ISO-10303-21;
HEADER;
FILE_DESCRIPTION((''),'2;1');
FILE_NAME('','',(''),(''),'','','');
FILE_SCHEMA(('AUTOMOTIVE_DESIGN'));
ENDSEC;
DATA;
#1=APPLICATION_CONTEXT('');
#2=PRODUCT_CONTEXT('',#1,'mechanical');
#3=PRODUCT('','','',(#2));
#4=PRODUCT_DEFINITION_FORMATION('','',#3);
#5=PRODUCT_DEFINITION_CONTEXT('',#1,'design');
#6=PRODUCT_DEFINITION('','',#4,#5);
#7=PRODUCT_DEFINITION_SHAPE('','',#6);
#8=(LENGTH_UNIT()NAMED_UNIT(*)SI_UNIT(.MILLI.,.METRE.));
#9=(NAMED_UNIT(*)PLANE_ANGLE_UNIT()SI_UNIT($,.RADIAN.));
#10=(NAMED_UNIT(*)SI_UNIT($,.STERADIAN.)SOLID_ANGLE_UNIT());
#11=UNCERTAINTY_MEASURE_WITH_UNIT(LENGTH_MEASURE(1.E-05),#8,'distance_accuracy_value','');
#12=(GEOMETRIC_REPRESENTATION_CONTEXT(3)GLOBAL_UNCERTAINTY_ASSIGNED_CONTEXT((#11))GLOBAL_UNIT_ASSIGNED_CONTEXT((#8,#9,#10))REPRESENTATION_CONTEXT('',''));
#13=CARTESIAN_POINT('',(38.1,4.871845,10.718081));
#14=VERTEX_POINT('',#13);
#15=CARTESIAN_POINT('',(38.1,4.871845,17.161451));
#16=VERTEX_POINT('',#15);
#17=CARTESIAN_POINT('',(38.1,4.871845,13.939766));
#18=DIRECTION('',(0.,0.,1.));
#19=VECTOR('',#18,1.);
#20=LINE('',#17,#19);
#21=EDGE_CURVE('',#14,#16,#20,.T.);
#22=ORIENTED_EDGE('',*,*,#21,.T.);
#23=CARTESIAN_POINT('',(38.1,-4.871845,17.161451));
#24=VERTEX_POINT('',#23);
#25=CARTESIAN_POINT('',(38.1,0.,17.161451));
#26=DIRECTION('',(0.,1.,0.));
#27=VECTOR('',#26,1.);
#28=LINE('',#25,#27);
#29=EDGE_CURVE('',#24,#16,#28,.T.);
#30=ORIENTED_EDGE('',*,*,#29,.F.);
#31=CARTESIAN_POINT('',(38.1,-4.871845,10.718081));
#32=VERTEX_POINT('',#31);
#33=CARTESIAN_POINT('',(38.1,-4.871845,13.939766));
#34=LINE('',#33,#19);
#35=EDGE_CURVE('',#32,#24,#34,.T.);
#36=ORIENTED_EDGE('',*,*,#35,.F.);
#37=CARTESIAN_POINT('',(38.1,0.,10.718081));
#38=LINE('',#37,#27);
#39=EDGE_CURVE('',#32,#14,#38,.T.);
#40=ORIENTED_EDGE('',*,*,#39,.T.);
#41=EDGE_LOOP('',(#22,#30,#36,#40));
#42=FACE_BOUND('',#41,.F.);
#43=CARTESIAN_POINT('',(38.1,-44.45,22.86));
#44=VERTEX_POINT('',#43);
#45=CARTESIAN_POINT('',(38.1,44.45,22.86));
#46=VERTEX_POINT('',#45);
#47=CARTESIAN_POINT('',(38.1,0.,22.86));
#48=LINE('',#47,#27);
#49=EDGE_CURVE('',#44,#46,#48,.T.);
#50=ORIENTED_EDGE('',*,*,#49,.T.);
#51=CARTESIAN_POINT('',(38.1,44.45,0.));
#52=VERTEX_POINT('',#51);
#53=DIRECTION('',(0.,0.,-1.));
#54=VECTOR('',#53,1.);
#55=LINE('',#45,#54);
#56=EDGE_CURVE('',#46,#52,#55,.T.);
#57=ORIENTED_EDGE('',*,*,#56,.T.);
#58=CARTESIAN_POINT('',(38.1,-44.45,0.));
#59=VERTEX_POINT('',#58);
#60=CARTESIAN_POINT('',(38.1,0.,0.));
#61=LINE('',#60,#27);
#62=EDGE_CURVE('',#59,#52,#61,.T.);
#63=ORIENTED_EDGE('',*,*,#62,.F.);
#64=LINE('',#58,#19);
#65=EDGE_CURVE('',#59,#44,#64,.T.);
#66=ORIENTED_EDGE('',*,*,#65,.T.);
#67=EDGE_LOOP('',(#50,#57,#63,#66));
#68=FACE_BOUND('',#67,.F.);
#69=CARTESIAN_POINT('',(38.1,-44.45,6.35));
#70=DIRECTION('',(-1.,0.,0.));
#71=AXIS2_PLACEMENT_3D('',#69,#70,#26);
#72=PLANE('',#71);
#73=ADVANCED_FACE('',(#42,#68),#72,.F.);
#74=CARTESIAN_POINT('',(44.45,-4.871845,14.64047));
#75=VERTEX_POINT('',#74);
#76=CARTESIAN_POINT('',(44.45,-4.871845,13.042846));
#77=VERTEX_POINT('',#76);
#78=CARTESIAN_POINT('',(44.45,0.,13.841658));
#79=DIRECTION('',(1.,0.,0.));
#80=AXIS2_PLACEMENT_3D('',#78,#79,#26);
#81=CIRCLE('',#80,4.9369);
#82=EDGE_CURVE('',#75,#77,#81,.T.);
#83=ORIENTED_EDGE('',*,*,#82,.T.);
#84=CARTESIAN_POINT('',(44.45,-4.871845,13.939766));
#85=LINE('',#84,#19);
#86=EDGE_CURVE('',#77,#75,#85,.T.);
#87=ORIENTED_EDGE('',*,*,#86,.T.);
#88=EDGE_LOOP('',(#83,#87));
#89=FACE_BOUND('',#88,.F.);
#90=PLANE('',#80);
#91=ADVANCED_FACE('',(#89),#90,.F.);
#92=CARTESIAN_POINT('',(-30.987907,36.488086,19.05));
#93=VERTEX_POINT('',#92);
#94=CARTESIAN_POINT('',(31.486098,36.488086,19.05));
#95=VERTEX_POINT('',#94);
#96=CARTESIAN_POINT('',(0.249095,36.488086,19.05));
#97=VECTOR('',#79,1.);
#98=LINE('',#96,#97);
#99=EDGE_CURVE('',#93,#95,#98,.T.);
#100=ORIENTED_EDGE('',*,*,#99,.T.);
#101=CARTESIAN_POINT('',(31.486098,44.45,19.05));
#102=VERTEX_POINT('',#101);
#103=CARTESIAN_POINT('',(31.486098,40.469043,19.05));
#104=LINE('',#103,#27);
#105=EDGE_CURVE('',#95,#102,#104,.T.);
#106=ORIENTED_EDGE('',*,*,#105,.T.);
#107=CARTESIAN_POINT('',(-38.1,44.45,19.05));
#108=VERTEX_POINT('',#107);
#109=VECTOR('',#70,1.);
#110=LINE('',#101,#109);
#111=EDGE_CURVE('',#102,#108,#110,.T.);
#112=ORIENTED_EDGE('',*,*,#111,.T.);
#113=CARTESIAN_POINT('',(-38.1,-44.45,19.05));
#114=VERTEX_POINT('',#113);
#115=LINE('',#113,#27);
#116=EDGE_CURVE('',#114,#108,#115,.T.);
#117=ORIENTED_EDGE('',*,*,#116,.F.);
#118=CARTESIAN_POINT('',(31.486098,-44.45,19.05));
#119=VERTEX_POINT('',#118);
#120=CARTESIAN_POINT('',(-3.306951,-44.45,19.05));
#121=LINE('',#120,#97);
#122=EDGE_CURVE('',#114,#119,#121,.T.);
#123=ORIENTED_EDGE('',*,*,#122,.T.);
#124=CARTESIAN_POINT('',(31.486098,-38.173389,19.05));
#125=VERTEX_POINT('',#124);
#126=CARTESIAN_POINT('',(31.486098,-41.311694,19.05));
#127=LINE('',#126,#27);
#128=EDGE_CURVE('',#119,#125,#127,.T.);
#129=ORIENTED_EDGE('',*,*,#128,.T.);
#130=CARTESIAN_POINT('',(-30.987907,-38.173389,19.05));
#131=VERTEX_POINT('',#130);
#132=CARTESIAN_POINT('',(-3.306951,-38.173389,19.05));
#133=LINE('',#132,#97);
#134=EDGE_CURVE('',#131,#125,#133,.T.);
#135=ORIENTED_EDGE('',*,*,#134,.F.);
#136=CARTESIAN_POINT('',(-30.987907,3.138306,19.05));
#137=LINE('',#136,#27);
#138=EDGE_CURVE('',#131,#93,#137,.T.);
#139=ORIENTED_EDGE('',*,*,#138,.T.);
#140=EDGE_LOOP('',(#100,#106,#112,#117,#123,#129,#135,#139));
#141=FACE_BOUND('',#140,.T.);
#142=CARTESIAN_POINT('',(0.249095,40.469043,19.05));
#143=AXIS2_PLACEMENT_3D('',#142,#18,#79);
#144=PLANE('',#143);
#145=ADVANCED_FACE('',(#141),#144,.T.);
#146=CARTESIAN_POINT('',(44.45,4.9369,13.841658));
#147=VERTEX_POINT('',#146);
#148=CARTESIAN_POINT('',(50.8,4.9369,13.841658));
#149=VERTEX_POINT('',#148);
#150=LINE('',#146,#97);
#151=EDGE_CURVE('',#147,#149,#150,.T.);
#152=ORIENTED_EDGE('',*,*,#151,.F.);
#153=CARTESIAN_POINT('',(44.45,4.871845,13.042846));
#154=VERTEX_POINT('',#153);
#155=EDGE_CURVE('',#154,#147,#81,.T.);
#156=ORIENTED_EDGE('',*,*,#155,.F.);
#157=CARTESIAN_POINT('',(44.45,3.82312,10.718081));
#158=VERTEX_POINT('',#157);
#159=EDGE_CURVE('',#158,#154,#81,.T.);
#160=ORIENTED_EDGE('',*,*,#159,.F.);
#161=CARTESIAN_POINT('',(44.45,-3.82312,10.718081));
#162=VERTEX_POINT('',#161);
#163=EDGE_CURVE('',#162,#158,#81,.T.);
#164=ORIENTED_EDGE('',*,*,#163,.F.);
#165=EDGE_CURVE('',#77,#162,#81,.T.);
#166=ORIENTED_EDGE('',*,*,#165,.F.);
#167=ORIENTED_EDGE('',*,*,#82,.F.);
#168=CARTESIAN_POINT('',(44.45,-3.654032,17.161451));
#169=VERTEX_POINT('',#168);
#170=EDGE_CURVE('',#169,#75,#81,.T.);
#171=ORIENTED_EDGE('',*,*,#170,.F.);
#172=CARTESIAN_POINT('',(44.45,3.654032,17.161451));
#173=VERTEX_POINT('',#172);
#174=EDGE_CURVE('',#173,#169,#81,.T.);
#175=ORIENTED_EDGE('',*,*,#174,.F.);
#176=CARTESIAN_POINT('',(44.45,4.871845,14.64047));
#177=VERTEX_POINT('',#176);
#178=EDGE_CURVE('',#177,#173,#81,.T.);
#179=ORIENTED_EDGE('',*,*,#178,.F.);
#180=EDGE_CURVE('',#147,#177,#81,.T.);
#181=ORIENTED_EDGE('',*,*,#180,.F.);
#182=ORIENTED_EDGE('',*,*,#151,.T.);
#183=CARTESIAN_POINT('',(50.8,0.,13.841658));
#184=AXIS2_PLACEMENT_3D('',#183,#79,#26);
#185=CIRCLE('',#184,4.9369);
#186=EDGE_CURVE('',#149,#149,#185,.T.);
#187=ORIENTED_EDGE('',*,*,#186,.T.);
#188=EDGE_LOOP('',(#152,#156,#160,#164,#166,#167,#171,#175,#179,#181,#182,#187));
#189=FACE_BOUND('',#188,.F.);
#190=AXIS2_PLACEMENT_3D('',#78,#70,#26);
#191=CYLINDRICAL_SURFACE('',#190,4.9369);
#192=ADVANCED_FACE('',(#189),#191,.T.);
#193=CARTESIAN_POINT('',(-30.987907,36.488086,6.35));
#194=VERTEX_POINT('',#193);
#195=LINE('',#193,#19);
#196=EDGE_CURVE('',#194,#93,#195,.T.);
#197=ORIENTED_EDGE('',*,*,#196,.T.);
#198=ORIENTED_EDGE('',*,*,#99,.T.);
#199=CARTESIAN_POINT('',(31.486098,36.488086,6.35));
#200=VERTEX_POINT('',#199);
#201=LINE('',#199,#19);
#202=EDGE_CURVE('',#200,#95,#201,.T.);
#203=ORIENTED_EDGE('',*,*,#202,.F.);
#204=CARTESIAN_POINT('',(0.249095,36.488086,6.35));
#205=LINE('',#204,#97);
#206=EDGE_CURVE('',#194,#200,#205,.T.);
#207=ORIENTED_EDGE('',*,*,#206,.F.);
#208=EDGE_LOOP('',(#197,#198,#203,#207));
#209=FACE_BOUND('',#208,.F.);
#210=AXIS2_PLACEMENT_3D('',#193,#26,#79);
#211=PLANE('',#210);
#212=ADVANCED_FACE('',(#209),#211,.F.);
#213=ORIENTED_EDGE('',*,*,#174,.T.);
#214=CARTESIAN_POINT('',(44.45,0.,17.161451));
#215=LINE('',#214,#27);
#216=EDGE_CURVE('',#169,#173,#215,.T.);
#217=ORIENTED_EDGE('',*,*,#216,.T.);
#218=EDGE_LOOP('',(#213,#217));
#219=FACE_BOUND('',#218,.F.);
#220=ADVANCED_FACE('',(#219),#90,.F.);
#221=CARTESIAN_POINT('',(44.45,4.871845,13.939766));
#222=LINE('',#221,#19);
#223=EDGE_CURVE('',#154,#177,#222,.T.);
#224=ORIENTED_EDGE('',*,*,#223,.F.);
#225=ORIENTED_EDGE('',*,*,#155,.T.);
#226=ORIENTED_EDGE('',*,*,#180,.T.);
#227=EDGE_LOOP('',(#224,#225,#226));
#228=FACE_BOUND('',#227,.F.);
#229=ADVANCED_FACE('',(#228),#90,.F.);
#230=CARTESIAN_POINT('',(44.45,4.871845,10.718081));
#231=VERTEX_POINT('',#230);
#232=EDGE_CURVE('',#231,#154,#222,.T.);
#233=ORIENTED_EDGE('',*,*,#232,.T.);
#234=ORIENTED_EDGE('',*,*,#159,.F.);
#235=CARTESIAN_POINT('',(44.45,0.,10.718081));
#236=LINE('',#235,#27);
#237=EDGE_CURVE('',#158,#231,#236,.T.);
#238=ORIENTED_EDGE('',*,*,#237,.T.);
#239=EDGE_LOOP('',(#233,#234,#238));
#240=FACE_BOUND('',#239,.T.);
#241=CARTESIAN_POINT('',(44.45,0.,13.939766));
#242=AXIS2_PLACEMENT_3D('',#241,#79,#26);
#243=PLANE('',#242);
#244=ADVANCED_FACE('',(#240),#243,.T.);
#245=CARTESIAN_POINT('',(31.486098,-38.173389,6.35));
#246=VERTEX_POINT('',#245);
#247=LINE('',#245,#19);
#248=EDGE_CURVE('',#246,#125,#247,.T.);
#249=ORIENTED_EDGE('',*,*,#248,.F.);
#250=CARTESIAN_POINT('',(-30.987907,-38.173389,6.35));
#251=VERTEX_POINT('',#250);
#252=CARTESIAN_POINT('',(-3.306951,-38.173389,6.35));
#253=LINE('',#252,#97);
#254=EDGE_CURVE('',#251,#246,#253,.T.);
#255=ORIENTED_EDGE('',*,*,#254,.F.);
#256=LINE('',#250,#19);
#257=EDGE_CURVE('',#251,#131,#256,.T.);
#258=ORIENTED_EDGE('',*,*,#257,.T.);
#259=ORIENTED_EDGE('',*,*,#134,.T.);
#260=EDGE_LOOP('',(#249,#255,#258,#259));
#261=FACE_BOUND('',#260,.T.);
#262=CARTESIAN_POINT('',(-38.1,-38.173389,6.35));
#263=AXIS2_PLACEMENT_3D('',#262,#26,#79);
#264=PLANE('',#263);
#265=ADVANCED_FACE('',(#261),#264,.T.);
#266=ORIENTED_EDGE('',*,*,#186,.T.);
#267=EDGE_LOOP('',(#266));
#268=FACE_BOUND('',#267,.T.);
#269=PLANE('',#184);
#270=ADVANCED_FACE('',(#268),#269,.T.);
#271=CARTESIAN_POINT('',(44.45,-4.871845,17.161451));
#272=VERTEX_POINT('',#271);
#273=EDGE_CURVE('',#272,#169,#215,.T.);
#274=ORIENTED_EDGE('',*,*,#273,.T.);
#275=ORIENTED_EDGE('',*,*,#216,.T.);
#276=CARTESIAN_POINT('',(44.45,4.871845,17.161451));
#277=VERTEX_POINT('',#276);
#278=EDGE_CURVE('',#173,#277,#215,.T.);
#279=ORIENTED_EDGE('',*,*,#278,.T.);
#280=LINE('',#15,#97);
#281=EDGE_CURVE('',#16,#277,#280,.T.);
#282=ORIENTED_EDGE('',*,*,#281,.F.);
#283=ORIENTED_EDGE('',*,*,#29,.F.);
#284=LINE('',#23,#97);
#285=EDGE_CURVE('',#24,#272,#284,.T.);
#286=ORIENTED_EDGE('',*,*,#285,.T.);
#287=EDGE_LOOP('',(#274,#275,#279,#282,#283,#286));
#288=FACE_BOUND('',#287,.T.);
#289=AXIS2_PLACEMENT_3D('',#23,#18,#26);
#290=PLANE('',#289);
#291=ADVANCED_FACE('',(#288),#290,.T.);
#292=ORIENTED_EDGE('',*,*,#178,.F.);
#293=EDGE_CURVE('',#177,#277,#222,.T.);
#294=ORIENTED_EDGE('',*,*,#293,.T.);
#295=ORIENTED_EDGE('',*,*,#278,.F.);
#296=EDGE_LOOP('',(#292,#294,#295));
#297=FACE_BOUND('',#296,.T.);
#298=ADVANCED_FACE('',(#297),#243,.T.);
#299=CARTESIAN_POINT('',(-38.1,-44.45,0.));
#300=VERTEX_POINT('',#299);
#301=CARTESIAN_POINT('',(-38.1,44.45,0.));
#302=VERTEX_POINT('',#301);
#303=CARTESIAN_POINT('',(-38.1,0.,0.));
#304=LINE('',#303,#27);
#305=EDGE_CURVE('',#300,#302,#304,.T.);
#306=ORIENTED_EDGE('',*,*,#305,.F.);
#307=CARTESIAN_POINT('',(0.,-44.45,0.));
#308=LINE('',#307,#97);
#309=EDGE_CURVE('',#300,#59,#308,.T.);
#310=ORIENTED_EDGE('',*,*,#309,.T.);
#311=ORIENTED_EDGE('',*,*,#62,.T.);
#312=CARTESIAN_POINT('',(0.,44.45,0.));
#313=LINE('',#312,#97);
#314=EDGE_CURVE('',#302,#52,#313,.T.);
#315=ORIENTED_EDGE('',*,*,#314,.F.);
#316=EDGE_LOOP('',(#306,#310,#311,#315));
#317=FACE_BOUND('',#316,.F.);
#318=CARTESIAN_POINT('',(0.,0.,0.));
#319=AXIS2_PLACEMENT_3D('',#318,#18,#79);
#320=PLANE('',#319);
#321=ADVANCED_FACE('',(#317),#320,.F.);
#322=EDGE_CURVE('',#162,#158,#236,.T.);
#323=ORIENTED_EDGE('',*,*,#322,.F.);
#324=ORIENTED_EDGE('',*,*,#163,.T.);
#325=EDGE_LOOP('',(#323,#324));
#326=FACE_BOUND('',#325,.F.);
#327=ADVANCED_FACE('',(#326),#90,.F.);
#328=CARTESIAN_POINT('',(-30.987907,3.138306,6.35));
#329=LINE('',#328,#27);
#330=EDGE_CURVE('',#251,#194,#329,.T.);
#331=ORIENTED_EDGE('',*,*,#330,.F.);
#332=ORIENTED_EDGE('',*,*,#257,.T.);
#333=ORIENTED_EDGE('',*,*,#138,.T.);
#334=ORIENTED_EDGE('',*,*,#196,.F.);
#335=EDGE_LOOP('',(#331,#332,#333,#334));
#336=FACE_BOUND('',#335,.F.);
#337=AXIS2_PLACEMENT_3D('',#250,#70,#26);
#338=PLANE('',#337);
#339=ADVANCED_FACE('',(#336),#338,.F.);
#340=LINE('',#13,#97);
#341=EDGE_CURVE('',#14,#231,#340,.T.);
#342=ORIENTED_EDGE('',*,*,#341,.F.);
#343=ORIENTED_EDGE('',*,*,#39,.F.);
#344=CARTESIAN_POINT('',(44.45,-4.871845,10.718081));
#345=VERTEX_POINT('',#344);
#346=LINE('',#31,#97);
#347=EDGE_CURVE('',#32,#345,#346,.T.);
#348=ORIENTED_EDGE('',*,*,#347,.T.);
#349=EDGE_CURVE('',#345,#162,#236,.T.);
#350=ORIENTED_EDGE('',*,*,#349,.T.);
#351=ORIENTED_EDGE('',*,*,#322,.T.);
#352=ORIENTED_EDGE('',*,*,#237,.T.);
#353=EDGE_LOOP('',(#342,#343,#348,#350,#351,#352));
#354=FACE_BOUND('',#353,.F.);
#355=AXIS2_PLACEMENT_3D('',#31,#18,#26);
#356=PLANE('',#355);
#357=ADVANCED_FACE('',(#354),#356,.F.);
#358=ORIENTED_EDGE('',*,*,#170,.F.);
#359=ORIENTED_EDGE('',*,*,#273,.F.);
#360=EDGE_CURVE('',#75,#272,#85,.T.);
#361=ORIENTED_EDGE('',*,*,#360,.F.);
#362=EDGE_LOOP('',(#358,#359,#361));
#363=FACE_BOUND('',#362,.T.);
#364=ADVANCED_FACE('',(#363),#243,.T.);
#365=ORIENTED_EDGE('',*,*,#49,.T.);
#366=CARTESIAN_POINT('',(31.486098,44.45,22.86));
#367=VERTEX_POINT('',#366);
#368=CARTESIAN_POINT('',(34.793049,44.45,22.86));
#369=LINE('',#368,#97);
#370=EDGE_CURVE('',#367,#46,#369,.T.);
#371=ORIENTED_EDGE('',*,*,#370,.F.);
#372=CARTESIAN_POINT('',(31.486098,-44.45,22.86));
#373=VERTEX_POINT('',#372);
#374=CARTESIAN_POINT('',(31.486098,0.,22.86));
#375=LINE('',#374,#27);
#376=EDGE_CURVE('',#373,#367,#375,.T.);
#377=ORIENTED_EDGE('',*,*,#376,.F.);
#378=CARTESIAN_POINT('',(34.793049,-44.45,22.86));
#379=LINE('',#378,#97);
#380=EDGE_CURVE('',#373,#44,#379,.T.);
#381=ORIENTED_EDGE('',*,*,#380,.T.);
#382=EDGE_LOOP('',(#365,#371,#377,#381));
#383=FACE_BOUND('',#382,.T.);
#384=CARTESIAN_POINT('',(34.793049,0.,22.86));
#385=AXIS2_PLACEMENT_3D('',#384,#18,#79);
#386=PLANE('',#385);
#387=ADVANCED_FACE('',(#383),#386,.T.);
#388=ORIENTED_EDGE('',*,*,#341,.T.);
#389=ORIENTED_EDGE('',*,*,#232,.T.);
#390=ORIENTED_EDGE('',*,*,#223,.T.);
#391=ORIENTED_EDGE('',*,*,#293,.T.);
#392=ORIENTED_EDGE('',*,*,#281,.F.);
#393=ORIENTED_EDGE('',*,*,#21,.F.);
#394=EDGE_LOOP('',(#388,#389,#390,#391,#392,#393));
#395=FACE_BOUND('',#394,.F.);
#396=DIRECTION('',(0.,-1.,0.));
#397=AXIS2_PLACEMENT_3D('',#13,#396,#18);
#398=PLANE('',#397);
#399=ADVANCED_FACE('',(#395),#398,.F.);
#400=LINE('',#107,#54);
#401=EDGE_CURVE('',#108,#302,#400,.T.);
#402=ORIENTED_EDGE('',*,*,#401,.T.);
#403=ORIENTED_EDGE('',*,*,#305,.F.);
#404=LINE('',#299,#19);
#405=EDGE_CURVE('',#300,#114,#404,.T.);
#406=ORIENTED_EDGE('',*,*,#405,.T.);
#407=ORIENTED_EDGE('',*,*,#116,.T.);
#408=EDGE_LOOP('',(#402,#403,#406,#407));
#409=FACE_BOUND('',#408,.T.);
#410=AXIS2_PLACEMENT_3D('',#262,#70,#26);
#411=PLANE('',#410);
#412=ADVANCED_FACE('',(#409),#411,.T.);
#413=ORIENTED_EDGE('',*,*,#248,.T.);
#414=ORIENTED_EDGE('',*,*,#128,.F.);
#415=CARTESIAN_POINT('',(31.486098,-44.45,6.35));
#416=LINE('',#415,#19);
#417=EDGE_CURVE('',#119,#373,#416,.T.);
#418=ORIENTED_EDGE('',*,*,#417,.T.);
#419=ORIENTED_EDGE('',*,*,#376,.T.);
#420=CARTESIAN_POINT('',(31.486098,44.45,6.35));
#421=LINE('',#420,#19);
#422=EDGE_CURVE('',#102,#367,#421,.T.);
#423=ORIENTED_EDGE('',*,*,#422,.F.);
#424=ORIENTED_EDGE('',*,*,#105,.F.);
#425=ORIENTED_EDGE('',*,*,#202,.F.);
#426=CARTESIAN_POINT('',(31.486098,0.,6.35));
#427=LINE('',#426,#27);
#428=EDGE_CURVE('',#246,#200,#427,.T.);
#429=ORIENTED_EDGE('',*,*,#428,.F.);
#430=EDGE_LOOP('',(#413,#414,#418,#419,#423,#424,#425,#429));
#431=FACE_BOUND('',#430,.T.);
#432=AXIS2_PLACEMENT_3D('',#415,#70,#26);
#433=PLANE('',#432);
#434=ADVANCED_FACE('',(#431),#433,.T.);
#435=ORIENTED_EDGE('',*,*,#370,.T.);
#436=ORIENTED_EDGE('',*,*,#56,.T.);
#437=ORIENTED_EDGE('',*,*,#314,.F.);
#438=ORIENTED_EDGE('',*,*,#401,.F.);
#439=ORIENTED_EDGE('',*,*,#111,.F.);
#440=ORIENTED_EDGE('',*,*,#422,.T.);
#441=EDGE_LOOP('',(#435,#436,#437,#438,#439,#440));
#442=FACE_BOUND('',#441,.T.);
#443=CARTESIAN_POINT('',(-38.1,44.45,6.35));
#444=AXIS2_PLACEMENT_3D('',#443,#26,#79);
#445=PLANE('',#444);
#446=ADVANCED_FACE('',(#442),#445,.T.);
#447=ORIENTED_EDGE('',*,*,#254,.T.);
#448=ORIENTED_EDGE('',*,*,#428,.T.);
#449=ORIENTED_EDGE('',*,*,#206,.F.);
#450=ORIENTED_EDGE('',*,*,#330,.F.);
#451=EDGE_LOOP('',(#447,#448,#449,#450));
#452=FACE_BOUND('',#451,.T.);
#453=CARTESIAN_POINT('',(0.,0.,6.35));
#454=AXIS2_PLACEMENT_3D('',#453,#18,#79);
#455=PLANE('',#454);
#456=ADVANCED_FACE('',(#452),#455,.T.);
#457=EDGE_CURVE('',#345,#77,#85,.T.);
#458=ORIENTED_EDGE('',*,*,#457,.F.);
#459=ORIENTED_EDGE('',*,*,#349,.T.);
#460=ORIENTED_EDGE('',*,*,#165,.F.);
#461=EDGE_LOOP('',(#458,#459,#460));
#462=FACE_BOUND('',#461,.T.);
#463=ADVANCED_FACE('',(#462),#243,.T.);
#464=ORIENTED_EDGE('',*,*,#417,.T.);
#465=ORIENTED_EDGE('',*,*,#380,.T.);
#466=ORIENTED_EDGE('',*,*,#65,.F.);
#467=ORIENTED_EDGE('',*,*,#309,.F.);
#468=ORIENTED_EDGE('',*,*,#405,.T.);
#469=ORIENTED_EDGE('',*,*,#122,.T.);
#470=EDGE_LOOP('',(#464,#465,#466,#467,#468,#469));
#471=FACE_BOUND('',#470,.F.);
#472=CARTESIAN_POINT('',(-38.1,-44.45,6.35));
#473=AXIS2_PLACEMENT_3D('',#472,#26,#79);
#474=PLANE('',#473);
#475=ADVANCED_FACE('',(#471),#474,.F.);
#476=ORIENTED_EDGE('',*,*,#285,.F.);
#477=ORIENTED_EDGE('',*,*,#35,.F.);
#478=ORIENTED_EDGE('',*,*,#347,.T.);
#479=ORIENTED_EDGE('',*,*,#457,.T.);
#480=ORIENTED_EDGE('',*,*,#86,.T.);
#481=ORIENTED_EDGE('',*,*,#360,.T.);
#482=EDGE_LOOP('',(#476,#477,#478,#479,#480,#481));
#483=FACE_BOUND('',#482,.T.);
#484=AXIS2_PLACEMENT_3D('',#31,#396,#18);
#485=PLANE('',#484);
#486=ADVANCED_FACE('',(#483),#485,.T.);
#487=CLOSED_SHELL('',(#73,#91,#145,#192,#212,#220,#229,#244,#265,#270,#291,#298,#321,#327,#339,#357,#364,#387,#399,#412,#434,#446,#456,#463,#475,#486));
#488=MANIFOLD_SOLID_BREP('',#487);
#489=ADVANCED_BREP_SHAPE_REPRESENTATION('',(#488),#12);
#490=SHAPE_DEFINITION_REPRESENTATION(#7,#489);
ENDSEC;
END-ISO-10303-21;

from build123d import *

# Parameters (mm, degrees)
F0_W      = 76.2
F0_H      = 88.9
F1_DEPTH  = 6.35
F2_W      = 6.6139022768
F2_H      = 88.9
F3_DEPTH  = 16.51
F4_W      = 69.5860977232
F4_H      = 6.2766113102
F5_DEPTH  = 12.7
F6_W      = 7.1120927989
F6_H      = 82.6233886898
F7_DEPTH  = 12.7
F8_W      = 62.4740049243
F8_H      = 7.9619140148
F9_DEPTH  = 12.7
F10_W     = 9.7436904907
F10_H     = 6.4433701336
F11_DEPTH = 6.35
F12_R     = 4.9368995646
F13_DEPTH = 6.35


with BuildPart() as f1:
    # F0 (on Top) → F1 (new body)
    with BuildSketch(Plane.XY):
        Rectangle(F0_W, F0_H)
    extrude(amount=F1_DEPTH)

    # F2 (on face) → F3 (join)
    with BuildSketch(Plane.XY.offset(6.35)):
        with Locations((34.7930488616, 0)):
            Rectangle(F2_W, F2_H)
    extrude(amount=F3_DEPTH)

    # F4 (on face) → F5 (join)
    with BuildSketch(Plane.XY.offset(6.35)):
        with Locations((-3.3069511384, -41.3116943449)):
            Rectangle(F4_W, F4_H)
    extrude(amount=F5_DEPTH)

    # F6 (on face) → F7 (join)
    with BuildSketch(Plane.XY.offset(6.35)):
        with Locations((-34.5439536005, 3.1383056551)):
            Rectangle(F6_W, F6_H)
    extrude(amount=F7_DEPTH)

    # F8 (on face) → F9 (join)
    with BuildSketch(Plane.XY.offset(6.35)):
        with Locations((0.2490952611, 40.4690429926)):
            Rectangle(F8_W, F8_H)
    extrude(amount=F9_DEPTH)

    # F10 (on face) → F11 (join)
    with BuildSketch(Plane.YZ.offset(38.1)):
        with Locations((0, 13.9397662133)):
            Rectangle(F10_W, F10_H)
    extrude(amount=F11_DEPTH)

    # F12 (on face) → F13 (join)
    with BuildSketch(Plane.YZ.offset(44.45)):
        with Locations((0, 13.8416578993)):
            Circle(F12_R)
    extrude(amount=F13_DEPTH)


solid = f1.part
